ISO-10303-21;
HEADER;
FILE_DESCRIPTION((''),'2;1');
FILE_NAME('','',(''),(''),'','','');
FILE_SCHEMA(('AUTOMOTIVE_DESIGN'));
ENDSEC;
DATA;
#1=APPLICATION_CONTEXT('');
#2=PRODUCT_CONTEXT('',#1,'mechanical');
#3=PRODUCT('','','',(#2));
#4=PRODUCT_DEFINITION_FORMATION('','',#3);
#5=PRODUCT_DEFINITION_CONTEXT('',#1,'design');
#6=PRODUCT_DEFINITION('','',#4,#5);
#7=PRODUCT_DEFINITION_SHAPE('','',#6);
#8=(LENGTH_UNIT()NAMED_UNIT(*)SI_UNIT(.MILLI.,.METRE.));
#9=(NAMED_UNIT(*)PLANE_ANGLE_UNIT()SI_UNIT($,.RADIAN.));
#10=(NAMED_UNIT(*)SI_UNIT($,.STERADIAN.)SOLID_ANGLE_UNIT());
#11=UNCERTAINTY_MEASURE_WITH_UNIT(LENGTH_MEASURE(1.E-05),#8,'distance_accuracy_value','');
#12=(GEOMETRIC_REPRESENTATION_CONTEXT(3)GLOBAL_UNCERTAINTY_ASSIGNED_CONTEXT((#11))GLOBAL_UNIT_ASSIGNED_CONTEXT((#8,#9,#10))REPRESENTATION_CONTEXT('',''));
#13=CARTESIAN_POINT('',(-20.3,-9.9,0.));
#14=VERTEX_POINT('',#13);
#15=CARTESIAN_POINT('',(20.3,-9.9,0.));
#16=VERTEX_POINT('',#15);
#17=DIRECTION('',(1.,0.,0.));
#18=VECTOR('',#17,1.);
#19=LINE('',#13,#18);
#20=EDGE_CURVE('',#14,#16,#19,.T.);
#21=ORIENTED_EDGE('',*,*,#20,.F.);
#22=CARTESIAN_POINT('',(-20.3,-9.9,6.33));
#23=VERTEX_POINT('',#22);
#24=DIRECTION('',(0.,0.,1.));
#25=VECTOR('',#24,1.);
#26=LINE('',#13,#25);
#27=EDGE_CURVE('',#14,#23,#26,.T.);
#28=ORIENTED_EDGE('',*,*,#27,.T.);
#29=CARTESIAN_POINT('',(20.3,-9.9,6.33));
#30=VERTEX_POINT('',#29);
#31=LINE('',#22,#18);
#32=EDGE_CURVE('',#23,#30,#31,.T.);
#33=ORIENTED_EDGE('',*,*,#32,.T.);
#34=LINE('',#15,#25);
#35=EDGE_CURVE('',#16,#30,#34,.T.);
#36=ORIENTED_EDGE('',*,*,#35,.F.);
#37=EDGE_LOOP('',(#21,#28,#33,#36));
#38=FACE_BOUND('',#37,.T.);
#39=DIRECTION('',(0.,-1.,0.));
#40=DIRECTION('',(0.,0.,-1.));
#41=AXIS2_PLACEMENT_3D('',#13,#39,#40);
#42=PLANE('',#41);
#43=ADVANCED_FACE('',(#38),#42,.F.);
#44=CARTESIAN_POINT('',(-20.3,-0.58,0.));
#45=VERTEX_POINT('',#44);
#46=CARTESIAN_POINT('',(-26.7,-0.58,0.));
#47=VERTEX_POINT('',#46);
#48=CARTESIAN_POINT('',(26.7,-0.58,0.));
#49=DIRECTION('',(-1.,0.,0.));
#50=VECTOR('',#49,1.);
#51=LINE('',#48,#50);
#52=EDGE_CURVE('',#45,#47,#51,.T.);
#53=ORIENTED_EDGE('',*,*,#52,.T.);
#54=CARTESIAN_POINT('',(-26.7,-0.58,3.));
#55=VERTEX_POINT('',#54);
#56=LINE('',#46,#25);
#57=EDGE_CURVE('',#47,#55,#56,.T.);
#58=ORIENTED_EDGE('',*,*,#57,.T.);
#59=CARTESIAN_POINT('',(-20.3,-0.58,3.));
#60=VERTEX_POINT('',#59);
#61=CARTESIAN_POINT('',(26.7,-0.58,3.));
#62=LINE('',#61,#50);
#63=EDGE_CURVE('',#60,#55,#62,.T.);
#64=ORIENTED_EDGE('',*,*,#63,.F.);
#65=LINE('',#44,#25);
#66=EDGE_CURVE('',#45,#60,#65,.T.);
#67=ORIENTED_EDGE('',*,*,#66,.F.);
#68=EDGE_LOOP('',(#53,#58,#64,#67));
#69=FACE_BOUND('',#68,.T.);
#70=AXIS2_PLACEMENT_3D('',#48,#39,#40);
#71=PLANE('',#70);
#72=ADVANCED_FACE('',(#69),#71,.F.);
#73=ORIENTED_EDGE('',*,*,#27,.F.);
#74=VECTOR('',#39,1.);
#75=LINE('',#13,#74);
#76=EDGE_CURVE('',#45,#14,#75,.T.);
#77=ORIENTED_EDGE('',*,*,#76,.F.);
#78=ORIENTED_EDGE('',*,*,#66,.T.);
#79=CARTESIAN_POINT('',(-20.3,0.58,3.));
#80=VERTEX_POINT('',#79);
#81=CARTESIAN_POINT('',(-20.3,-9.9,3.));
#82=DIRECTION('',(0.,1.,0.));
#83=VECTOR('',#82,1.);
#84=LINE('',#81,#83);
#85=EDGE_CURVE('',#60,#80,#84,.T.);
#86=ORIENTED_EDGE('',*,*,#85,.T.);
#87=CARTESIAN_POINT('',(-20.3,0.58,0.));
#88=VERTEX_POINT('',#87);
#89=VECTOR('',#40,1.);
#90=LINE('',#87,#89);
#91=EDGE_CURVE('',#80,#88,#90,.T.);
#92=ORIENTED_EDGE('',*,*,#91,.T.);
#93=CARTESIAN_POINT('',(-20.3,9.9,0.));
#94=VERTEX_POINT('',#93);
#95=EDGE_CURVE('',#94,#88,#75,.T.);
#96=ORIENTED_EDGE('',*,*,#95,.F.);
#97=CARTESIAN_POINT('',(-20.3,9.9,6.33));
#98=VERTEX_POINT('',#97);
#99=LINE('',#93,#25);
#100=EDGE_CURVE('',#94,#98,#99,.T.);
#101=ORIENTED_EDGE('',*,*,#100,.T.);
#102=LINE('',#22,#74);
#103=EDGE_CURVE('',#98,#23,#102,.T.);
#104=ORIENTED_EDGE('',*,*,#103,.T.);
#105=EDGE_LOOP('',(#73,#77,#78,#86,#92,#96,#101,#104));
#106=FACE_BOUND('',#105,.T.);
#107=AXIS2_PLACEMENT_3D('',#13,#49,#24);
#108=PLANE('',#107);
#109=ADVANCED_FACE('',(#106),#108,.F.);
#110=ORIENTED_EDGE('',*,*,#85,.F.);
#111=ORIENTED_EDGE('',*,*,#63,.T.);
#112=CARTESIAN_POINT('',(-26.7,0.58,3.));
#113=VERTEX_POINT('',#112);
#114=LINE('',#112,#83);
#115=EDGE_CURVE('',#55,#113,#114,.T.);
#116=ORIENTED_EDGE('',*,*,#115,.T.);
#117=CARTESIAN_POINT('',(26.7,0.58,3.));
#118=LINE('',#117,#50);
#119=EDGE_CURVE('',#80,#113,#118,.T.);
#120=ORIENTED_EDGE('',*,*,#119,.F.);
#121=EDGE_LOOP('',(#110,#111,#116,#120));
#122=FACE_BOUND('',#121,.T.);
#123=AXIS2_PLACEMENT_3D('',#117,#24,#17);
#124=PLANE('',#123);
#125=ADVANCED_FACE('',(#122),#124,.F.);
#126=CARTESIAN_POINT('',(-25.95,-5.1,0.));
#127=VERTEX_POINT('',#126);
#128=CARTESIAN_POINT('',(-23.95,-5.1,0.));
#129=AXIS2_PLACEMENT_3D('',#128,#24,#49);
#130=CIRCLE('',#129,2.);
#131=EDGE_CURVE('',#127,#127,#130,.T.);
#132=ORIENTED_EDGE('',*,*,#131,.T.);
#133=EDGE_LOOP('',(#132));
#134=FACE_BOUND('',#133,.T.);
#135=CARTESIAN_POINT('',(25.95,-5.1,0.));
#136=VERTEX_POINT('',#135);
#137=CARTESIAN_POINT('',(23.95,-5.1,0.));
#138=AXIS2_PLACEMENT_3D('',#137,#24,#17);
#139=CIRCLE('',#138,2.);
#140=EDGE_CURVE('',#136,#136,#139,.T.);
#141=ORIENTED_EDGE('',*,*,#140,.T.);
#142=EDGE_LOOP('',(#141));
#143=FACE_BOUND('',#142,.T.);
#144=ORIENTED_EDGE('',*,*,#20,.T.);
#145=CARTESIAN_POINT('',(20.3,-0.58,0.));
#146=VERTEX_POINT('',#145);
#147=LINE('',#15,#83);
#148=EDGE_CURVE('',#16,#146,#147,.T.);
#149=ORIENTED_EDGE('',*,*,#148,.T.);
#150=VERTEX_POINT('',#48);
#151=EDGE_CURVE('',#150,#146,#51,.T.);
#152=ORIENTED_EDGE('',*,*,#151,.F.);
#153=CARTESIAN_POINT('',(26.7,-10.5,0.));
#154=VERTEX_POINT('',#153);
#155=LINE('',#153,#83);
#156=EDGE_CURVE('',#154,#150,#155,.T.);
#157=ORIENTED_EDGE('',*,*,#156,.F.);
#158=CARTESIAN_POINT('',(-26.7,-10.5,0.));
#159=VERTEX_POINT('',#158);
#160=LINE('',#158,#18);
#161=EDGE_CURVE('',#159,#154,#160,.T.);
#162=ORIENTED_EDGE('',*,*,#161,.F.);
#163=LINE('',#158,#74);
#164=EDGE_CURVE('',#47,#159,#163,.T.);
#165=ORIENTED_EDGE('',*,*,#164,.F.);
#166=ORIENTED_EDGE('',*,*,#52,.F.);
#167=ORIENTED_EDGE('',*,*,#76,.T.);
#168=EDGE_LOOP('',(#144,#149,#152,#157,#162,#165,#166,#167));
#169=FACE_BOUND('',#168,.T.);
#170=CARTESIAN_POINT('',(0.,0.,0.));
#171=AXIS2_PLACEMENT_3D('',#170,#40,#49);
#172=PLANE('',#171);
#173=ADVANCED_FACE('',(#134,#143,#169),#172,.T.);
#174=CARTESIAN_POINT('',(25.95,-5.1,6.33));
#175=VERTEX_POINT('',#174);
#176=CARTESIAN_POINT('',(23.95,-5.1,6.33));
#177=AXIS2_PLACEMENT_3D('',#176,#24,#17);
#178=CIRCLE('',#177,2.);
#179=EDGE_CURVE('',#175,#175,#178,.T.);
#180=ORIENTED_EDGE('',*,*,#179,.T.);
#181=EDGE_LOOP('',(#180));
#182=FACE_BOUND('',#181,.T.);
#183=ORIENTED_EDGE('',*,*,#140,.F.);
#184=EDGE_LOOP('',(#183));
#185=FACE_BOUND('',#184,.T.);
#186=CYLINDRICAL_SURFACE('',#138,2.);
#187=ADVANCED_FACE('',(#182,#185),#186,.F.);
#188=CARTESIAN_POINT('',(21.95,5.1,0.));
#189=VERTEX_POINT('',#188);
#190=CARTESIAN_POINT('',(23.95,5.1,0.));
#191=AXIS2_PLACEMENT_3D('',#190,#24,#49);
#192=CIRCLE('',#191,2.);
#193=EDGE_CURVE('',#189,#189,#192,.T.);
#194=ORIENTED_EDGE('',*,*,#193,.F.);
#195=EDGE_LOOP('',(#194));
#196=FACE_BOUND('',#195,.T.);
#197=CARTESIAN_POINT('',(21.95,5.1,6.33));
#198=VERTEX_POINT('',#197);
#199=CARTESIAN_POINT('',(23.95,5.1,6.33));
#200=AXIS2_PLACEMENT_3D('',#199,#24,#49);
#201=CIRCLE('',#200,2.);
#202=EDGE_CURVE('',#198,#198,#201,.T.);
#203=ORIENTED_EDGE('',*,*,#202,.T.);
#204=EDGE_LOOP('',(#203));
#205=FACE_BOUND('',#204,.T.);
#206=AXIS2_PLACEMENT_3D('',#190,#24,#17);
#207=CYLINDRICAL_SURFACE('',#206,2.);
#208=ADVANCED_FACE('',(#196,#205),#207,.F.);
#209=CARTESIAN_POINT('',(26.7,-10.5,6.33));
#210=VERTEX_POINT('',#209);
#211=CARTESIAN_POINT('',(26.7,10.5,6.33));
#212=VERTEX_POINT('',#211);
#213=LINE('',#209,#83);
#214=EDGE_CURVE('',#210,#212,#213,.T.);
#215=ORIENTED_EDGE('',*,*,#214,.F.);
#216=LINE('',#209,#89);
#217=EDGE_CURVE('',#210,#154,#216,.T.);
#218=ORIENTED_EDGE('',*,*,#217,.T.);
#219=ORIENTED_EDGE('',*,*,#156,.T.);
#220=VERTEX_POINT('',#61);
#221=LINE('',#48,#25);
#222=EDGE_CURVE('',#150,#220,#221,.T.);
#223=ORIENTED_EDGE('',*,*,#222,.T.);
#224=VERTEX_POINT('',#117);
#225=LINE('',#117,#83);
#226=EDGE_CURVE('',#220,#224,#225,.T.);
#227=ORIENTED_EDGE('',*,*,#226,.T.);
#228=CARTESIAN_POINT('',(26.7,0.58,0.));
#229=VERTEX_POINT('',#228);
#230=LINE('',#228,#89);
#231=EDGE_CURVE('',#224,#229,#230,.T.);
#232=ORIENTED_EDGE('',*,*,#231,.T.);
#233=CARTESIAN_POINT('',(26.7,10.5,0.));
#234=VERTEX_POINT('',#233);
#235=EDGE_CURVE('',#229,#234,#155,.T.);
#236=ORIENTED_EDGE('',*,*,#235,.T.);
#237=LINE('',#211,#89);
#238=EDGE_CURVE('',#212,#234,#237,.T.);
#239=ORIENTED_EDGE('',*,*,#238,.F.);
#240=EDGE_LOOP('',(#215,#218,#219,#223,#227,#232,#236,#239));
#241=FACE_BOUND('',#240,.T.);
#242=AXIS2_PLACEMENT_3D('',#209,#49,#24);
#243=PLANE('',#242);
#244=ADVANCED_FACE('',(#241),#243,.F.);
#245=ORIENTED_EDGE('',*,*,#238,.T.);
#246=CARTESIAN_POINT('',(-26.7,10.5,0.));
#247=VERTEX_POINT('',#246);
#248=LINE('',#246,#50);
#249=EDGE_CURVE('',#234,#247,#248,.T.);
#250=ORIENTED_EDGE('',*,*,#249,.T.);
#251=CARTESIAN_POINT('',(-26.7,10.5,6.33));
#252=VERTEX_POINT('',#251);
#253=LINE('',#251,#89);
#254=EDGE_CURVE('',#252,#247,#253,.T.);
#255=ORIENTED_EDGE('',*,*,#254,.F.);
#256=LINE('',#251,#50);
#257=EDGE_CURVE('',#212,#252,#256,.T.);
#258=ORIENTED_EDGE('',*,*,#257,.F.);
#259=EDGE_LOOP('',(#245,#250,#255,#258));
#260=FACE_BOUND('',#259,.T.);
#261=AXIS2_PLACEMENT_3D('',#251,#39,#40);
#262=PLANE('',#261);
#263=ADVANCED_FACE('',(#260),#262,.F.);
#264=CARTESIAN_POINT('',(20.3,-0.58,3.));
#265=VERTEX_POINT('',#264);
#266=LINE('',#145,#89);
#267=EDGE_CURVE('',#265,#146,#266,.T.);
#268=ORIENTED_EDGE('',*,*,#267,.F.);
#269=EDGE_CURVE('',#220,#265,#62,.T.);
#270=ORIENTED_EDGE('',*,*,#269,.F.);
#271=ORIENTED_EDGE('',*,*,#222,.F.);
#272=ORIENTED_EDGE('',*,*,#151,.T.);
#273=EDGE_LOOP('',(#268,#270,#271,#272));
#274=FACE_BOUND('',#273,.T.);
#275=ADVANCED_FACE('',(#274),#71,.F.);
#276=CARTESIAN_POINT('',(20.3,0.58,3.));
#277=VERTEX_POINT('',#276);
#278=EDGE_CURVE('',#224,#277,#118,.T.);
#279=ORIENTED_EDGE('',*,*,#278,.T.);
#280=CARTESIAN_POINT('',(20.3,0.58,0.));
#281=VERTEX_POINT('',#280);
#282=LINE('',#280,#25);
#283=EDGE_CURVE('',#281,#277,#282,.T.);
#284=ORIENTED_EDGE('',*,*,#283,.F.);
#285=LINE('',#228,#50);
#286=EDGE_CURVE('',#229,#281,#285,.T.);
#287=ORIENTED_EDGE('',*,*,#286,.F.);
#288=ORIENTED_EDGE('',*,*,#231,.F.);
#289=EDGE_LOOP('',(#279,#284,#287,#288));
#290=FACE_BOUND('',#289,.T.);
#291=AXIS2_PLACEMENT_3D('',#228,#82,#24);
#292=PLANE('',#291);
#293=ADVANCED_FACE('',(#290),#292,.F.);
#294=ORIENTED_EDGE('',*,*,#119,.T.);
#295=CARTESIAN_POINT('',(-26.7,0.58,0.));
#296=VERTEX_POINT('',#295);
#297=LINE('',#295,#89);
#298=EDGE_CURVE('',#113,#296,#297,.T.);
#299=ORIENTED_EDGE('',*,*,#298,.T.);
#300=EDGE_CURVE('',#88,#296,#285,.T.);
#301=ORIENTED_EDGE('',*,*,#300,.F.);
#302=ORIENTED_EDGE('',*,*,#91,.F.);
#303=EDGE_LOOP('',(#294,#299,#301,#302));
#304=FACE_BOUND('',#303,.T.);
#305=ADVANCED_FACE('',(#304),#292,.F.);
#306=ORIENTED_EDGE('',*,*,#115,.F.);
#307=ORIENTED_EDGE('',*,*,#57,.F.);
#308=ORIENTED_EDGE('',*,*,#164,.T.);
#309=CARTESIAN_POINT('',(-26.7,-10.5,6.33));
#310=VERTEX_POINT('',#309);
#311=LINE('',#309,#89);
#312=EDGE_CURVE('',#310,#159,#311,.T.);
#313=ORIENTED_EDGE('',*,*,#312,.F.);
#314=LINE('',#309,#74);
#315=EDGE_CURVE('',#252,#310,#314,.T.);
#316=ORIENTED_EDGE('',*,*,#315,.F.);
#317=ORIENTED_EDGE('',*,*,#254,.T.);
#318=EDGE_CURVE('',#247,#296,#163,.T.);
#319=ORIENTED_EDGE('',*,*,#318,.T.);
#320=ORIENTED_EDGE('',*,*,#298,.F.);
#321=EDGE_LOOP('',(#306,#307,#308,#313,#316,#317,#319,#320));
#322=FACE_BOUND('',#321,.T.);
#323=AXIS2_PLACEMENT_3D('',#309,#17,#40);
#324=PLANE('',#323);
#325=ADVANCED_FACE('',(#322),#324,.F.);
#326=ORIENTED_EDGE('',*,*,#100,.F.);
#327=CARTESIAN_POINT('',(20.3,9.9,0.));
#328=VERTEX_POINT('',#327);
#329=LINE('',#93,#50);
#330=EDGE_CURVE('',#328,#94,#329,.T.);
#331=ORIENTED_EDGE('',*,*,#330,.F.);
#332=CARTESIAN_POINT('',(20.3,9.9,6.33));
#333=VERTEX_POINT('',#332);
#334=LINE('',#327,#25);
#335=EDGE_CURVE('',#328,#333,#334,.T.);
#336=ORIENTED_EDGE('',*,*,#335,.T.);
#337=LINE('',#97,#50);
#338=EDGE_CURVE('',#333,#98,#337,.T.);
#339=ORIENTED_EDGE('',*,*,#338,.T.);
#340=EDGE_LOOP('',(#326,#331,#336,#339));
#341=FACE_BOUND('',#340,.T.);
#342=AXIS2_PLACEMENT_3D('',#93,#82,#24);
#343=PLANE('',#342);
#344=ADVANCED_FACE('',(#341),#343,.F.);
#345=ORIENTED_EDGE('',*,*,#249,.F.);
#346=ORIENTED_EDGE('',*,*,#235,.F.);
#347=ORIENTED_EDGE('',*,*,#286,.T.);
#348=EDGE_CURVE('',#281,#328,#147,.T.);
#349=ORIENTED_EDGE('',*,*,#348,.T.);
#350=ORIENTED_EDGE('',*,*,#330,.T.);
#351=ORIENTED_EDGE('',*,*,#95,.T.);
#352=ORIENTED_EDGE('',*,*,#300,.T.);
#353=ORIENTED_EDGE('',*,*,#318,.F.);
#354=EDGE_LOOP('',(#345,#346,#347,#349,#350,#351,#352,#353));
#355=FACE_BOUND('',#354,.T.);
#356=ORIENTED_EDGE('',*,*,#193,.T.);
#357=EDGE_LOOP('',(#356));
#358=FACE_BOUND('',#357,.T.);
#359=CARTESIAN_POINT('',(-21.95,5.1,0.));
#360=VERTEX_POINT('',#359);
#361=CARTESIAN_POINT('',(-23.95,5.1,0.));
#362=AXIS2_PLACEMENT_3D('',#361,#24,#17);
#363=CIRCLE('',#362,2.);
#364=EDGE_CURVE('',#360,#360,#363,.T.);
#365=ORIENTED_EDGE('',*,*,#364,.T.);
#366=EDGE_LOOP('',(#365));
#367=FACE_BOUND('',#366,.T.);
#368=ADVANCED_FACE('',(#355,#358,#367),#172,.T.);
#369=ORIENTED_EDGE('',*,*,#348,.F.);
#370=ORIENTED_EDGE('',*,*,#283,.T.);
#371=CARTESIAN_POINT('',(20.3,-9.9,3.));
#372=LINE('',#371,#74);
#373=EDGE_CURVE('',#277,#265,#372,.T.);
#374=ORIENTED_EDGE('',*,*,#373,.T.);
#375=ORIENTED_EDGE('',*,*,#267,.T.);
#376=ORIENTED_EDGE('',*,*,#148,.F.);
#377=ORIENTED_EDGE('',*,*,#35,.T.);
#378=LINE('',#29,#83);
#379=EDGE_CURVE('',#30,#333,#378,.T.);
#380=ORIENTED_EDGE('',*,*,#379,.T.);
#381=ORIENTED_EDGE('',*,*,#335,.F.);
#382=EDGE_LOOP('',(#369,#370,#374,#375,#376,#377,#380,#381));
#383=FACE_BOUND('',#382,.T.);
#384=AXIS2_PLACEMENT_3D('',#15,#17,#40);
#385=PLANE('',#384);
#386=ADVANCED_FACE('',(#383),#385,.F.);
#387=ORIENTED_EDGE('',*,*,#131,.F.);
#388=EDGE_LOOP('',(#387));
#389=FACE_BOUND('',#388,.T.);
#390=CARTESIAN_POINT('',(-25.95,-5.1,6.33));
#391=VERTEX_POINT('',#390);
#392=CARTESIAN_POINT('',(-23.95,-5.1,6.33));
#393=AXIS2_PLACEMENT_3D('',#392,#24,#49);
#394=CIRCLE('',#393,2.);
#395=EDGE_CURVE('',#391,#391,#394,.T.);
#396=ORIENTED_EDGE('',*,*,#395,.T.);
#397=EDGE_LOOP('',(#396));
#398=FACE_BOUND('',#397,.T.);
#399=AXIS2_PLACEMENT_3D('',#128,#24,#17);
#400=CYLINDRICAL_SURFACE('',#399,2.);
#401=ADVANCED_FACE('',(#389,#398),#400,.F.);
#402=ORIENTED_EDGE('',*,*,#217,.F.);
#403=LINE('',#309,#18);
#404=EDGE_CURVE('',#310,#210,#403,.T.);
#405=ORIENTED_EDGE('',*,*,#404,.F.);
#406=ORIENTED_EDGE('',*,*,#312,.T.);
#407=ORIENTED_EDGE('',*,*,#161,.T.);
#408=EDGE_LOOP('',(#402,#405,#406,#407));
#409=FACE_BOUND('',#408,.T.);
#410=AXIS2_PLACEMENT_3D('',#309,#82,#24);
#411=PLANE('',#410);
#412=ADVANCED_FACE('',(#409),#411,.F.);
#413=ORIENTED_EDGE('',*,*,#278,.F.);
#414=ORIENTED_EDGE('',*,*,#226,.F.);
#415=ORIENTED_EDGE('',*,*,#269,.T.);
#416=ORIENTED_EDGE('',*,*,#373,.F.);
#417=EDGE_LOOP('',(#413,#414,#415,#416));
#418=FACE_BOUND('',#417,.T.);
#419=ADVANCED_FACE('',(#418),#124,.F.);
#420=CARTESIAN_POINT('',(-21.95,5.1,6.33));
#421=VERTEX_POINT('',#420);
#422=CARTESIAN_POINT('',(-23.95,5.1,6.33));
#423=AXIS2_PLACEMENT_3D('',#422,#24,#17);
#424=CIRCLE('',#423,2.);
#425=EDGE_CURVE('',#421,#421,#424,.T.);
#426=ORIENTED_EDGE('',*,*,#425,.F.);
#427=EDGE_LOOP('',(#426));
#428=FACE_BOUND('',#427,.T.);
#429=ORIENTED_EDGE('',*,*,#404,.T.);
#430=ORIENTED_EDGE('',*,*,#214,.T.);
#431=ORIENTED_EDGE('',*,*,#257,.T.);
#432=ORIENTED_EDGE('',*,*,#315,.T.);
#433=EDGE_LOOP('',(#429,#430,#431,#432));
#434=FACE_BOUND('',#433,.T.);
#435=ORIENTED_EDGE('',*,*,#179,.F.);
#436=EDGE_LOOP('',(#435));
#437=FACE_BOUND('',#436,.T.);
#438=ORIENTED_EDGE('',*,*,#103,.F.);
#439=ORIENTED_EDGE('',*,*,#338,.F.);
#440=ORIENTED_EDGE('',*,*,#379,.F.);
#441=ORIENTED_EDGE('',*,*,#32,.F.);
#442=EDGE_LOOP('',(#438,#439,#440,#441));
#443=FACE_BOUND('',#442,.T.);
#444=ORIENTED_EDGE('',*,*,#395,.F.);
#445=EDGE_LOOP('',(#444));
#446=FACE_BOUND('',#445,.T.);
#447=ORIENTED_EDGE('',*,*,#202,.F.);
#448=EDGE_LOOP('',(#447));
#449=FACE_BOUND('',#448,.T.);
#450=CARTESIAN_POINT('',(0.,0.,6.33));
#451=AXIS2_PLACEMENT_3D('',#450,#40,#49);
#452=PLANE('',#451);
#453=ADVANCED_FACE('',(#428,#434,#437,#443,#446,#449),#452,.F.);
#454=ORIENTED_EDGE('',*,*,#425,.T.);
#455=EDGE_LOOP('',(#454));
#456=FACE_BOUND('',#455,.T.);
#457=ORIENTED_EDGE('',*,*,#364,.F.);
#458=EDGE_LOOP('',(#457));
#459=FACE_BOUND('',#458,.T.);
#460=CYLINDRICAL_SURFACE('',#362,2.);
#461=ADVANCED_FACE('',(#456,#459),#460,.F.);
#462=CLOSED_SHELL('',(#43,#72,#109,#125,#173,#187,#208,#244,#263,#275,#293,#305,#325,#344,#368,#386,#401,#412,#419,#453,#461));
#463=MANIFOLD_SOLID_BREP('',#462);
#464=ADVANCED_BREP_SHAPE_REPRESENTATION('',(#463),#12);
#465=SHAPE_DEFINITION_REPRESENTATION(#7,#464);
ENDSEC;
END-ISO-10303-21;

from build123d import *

# Parameters (mm, degrees)
SKETCH1_W           = 53.4
SKETCH1_H           = 21
BOSS_EXTRUDE2_DEPTH = 6.33000004
SKETCH3_W           = 40.6
SKETCH3_H           = 19.8
CUT_EXTRUDE1_DEPTH  = 30.380416956
SKETCH4_W           = 3
SKETCH4_H           = 1.16
CUT_EXTRUDE2_DEPTH  = 55.789405002
SKETCH5_R           = 2
CUT_EXTRUDE3_DEPTH  = 6.33


with BuildPart() as part:
    # Sketch1 → Boss-Extrude2 (new body)
    with BuildSketch(Plane.XY):
        Rectangle(SKETCH1_W, SKETCH1_H)
    extrude(amount=BOSS_EXTRUDE2_DEPTH)

    # Sketch3 → Cut-Extrude1 (cut, through all)
    with BuildSketch(Plane.XY.offset(6.33000004)):
        Rectangle(SKETCH3_W, SKETCH3_H)
    extrude(amount=-CUT_EXTRUDE1_DEPTH, mode=Mode.SUBTRACT)

    # Sketch4 → Cut-Extrude2 (cut, through all)
    with BuildSketch(Plane.ZY.offset(26.7)):
        with Locations((1.5, 0)):
            Rectangle(SKETCH4_W, SKETCH4_H)
    extrude(amount=-CUT_EXTRUDE2_DEPTH, mode=Mode.SUBTRACT)

    # Sketch5 → Cut-Extrude3 (cut)
    with BuildSketch(Plane.XY.offset(6.33000004)):
        with Locations((-23.95, 5.1)):
            Circle(SKETCH5_R)
        with Locations(Location((-23.95, -5.1, 0), (0, 0, 180))):
            Circle(SKETCH5_R)
        with Locations((23.95, -5.1)):
            Circle(SKETCH5_R)
        with Locations(Location((23.95, 5.1, 0), (0, 0, 180))):
            Circle(SKETCH5_R)
    extrude(amount=-CUT_EXTRUDE3_DEPTH, mode=Mode.SUBTRACT)


solid = part.part
